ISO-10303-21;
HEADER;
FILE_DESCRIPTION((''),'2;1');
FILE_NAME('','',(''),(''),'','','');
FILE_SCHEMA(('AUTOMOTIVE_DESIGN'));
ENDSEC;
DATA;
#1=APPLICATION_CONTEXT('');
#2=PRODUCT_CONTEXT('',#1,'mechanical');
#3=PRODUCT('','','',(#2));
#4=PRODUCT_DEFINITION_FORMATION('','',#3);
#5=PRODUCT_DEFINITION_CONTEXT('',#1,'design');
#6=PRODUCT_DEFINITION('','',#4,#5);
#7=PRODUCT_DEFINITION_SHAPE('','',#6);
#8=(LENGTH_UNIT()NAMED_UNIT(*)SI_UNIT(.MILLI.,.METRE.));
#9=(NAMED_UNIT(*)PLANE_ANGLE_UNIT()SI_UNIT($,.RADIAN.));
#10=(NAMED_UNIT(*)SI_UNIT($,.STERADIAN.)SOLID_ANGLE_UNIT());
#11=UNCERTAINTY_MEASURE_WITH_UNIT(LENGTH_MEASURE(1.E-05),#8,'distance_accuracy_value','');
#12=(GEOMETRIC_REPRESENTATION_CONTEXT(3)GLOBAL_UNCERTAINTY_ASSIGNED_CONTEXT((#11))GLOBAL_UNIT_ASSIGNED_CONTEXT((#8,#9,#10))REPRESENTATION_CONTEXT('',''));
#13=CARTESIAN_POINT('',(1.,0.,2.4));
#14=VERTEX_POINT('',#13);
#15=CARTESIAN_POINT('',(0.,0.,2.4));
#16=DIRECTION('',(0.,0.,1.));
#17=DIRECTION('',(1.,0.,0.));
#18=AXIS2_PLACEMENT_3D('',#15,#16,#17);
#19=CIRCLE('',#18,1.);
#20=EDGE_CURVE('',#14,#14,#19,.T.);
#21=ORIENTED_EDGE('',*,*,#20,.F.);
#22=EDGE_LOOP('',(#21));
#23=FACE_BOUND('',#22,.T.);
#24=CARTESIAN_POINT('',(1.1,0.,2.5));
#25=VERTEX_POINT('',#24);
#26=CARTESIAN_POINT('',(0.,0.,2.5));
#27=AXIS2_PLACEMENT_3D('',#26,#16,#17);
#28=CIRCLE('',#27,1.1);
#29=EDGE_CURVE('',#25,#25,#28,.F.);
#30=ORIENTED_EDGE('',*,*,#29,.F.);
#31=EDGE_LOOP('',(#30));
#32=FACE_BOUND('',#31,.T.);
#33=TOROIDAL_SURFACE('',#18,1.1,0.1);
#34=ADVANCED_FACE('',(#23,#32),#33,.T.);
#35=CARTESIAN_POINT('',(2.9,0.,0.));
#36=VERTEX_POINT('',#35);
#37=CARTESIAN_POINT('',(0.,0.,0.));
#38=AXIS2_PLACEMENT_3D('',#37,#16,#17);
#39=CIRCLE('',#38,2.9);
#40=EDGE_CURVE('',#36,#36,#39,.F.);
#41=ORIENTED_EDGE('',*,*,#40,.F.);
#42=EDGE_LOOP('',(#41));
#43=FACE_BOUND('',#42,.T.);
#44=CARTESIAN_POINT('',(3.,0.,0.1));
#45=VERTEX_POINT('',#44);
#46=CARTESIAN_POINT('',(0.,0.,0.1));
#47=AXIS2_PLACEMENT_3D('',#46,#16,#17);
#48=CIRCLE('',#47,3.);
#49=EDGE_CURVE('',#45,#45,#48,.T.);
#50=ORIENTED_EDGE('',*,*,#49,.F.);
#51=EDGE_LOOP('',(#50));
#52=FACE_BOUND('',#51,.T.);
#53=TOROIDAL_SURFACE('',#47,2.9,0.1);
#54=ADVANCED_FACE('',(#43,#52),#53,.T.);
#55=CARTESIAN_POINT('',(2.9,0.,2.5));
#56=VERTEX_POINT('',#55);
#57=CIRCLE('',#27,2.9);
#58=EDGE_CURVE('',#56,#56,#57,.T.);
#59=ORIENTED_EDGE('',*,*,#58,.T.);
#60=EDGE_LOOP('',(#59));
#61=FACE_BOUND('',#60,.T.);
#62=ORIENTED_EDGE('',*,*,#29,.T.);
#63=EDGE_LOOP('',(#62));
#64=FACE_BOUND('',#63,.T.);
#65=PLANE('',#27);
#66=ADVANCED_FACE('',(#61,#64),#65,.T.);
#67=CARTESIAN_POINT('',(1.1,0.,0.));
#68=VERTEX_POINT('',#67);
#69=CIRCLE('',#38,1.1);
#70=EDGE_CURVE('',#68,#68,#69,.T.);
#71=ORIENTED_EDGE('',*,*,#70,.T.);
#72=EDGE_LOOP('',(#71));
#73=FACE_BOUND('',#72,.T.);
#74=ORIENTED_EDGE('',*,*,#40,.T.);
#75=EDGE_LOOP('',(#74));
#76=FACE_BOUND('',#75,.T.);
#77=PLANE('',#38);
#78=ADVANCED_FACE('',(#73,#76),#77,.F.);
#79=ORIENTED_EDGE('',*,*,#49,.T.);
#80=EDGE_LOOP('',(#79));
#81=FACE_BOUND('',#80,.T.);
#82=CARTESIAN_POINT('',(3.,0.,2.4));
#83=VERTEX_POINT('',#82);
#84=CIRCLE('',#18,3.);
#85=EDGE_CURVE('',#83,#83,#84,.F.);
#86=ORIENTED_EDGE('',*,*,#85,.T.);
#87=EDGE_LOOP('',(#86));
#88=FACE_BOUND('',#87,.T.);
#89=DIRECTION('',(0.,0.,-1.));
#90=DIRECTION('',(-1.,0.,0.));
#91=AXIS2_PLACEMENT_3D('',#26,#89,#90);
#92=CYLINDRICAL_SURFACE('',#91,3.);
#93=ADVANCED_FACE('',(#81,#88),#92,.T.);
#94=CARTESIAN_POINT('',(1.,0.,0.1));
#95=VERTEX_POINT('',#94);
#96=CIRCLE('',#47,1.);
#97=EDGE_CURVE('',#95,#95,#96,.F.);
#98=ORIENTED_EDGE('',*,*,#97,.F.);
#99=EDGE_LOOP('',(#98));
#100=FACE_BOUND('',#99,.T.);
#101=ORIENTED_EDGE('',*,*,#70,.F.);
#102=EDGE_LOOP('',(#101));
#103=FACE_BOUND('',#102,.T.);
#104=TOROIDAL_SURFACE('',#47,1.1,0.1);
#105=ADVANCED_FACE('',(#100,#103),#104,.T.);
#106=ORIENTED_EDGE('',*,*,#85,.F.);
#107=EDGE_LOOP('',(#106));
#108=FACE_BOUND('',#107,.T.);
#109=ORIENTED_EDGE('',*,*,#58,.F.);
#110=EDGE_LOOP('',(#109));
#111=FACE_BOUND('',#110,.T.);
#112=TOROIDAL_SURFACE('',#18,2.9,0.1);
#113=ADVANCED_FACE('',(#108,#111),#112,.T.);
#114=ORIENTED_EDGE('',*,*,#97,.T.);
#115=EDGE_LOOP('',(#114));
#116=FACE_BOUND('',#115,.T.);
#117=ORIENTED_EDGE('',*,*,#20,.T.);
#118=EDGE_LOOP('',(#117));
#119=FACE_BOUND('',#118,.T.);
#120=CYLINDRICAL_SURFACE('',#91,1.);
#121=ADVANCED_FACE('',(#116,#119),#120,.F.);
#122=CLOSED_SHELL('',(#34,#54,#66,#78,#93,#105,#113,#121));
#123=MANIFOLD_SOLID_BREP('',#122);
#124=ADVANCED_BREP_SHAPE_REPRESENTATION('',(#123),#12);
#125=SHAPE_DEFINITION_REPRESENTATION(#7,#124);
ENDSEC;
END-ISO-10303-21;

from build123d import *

# Parameters (mm, degrees)
SKETCH1_R           = 3
SKETCH1_R_2         = 1
BOSS_EXTRUDE1_DEPTH = 2.5
FILLET1_R           = 0.1
FILLET2_R           = 0.1


with BuildPart() as part:
    # Sketch1 → Boss-Extrude1 (new body)
    with BuildSketch(Plane.XY):
        Circle(SKETCH1_R)
        Circle(SKETCH1_R_2, mode=Mode.SUBTRACT)
    extrude(amount=BOSS_EXTRUDE1_DEPTH)

    # Fillet1
    fillet1_edges = [part.edges().sort_by_distance(p)[0] for p in [
        (-3, 0, 2.5),
    ]]
    fillet(fillet1_edges, radius=FILLET1_R)

    # Fillet2
    fillet2_edges = [part.edges().sort_by_distance(p)[0] for p in [
        (-3, 0, 0),
        (-1, 0, 0),
        (-1, 0, 2.5),
    ]]
    fillet(fillet2_edges, radius=FILLET2_R)


solid = part.part
